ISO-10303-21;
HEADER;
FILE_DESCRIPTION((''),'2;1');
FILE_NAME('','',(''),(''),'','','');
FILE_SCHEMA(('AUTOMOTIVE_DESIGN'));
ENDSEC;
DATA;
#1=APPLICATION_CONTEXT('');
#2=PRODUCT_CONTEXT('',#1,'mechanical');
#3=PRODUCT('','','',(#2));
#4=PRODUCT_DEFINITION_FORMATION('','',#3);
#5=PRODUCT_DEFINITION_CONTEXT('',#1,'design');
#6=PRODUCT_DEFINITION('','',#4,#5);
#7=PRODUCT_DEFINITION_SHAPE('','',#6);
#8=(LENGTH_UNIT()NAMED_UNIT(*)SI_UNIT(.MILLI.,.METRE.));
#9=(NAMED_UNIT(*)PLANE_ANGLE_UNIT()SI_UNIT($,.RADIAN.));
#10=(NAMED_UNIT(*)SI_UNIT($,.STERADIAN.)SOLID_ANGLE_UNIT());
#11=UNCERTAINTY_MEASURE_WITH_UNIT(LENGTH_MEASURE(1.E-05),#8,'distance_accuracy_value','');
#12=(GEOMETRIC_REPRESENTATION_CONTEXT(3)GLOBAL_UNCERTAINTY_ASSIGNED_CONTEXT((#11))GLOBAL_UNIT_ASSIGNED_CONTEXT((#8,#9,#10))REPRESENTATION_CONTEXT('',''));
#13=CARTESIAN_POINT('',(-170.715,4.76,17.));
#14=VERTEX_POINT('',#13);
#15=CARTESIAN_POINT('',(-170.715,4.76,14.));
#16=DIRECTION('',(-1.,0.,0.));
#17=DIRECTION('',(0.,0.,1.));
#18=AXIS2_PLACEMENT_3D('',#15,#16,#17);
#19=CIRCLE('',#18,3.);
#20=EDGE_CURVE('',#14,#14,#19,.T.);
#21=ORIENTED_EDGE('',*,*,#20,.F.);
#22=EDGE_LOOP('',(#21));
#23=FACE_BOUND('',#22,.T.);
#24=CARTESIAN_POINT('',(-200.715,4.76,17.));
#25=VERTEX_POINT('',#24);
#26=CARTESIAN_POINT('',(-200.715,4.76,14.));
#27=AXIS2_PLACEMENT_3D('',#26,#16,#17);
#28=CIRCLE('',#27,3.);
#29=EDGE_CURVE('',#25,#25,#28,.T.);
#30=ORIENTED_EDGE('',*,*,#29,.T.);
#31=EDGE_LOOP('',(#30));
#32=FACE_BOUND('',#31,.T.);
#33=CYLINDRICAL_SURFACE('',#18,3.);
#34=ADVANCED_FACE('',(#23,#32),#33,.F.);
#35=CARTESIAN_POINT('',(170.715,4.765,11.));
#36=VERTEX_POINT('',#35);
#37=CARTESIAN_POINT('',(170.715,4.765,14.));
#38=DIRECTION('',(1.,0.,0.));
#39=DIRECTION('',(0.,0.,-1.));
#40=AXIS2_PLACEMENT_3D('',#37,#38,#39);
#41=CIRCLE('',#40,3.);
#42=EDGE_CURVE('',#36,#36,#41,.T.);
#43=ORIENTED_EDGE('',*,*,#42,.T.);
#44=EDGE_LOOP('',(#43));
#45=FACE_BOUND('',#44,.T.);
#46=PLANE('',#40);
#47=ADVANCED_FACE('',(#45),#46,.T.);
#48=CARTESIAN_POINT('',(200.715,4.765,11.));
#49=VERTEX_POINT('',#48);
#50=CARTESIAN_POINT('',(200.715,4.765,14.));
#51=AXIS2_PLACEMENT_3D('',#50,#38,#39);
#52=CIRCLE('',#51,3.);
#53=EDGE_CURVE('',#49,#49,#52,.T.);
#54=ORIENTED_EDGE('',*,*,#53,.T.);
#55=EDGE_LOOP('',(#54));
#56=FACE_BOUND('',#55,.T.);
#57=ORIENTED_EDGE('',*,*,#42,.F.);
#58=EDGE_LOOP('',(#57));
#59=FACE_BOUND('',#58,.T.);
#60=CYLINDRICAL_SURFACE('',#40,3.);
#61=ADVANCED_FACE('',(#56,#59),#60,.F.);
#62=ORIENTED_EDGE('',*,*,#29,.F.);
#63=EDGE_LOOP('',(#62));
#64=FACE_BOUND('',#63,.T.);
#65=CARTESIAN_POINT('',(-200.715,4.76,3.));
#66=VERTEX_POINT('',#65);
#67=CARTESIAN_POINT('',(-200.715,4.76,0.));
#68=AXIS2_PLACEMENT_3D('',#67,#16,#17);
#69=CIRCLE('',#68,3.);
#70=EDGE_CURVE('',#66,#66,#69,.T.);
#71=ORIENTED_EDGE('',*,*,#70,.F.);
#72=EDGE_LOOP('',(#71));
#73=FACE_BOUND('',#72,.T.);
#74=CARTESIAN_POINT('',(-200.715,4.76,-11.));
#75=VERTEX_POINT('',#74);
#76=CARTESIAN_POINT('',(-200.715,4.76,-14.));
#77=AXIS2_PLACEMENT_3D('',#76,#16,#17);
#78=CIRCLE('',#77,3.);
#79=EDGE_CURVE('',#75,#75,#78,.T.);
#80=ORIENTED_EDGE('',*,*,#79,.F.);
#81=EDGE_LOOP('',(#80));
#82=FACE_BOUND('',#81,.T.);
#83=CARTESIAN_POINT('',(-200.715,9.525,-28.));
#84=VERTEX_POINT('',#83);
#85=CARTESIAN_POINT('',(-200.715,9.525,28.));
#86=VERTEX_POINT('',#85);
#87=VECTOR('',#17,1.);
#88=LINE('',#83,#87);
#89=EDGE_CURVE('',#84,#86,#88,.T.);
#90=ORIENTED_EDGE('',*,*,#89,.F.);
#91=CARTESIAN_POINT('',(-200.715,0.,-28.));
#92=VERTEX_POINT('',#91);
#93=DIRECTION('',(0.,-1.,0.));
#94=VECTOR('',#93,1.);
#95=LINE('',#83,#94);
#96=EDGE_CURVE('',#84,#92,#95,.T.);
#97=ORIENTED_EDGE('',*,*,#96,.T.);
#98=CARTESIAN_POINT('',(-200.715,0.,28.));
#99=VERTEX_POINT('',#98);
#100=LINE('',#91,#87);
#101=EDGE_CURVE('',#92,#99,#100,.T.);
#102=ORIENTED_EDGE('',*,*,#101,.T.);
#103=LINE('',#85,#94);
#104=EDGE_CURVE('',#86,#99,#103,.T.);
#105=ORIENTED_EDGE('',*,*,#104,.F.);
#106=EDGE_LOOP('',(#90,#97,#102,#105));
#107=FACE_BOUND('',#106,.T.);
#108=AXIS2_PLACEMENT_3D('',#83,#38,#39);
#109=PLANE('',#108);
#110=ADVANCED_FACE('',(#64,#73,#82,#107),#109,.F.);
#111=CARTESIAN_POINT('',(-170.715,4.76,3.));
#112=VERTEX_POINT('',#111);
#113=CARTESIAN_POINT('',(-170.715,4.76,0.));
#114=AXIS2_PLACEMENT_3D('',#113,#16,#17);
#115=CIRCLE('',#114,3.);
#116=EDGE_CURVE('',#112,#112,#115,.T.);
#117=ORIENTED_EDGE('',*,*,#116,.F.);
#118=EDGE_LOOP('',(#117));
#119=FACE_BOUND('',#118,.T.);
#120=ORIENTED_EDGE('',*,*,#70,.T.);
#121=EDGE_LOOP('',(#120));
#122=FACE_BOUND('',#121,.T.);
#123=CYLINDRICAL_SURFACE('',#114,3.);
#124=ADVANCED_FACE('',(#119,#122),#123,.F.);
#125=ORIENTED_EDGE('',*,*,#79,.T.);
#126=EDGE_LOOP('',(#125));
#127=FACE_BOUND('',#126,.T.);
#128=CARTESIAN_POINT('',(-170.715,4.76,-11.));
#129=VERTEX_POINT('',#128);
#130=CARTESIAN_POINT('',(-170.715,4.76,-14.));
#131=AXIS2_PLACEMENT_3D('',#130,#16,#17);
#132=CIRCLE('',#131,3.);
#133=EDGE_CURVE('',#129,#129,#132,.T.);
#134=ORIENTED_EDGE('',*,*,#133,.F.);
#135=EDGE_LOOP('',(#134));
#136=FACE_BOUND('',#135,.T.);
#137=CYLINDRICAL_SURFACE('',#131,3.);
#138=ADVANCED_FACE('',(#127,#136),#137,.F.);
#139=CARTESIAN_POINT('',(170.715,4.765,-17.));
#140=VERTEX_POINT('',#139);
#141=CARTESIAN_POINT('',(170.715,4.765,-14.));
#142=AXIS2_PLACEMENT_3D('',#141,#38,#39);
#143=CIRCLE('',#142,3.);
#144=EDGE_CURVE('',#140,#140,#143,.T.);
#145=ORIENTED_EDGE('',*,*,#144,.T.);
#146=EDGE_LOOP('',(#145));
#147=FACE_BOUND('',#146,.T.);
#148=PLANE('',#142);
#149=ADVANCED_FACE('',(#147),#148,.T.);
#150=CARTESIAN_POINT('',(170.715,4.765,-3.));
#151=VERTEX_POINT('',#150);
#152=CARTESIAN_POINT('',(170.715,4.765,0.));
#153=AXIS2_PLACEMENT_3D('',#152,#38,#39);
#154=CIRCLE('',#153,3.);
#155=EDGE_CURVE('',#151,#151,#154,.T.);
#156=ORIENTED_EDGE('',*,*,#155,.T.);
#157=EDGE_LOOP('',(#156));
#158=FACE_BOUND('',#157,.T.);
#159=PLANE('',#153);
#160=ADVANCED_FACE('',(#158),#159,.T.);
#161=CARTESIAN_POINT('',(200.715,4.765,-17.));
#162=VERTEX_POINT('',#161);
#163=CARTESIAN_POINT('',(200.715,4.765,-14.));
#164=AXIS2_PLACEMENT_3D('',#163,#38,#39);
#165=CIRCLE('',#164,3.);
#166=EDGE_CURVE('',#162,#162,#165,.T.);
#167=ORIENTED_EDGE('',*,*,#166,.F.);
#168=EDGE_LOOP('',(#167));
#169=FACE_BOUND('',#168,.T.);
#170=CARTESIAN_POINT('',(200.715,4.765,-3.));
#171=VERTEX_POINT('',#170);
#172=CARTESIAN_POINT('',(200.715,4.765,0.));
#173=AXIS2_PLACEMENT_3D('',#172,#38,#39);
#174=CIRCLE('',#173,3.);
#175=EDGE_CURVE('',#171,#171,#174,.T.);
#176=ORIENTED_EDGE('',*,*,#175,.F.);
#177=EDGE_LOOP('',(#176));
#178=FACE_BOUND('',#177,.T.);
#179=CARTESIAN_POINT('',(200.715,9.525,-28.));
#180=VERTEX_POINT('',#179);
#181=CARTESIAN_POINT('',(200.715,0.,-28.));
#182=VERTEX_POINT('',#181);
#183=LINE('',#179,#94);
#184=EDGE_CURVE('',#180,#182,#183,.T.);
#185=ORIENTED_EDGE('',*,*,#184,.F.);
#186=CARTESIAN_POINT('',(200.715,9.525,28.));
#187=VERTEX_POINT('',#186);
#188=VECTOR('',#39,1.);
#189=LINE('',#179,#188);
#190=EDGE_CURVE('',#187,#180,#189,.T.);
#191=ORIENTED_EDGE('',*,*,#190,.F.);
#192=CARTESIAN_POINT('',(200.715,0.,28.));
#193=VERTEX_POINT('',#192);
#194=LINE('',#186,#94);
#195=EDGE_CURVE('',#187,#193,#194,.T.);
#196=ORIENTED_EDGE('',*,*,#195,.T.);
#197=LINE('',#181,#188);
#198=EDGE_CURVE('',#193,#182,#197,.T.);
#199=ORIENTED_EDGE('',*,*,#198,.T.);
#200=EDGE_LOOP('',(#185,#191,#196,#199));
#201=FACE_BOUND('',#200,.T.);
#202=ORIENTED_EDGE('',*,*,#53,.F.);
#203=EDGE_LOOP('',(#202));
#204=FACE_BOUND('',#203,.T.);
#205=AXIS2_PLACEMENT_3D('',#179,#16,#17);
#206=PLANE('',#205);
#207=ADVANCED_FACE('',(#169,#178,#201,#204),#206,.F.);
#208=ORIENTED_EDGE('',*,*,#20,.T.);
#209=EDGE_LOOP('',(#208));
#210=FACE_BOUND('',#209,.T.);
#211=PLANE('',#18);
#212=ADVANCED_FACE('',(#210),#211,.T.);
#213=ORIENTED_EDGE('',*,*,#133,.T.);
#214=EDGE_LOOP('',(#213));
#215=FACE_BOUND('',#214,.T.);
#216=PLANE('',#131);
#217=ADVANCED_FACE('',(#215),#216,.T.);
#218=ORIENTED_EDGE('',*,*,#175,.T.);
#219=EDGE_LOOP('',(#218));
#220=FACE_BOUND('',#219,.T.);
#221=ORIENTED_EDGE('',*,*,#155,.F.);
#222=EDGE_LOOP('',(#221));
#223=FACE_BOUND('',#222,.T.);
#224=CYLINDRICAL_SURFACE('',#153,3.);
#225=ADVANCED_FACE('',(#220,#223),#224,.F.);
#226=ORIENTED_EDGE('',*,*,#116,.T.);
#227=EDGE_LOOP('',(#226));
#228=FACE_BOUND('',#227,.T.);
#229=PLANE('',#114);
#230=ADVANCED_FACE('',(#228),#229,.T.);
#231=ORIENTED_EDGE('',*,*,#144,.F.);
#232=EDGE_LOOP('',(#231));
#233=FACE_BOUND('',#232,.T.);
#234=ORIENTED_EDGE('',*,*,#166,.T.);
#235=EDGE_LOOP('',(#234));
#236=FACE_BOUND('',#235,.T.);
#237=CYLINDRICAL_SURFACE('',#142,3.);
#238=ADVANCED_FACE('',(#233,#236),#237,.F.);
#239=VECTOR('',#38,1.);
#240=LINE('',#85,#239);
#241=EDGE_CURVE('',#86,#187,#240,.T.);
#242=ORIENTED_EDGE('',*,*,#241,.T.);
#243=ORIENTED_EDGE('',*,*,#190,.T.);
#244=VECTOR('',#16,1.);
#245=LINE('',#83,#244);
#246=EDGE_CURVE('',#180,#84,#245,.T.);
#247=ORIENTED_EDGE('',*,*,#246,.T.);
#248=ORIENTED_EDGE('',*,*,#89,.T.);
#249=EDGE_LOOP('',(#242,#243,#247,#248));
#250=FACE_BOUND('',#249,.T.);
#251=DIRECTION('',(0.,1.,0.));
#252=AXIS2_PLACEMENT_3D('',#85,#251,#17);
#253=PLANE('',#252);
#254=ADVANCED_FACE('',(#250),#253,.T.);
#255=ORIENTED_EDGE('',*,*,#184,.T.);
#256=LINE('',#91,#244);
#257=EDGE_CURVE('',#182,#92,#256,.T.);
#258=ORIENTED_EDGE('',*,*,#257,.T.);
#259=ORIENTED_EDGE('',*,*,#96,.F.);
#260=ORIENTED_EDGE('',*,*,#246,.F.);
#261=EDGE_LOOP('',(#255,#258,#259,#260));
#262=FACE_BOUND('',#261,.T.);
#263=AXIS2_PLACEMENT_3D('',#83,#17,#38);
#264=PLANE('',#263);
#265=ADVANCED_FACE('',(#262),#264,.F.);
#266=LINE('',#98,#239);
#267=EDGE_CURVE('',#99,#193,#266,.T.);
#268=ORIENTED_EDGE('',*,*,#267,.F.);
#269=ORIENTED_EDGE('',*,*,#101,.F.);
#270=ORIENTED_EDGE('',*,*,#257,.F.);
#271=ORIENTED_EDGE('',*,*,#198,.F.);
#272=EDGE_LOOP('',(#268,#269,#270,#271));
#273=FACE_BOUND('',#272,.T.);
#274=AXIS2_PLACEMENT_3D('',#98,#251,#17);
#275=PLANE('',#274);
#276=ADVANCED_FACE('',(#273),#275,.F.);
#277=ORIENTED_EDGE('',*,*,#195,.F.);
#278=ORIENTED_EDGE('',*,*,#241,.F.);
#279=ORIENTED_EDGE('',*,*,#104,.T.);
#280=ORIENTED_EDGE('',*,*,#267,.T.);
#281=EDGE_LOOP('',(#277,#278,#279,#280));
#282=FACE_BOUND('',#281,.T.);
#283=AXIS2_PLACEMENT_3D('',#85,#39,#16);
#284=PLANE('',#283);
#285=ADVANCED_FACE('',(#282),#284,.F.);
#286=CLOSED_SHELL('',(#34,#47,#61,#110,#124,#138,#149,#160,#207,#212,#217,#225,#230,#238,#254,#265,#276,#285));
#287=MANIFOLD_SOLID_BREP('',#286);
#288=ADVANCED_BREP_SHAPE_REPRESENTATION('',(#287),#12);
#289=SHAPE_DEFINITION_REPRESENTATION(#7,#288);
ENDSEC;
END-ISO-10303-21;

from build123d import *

# Parameters (mm, degrees)
ESBO_O1_W                = 401.43
ESBO_O1_H                = 56
RESSALTO_EXTRUS_O1_DEPTH = 9.525
ESBO_O2_R                = 3
FUROS_IZQ_DEPTH          = 30
ESBO_O3_R                = 3
FUROS_DER_DEPTH          = 30


with BuildPart() as part:
    # Esboço1 → Ressalto-extrusão1 (new body)
    with BuildSketch(Plane(origin=(0, 0, 0), x_dir=(1, 0, 0), z_dir=(0, 1, 0))):
        Rectangle(ESBO_O1_W, ESBO_O1_H)
    extrude(amount=RESSALTO_EXTRUS_O1_DEPTH)

    # Esboço2 → Furos Izq (cut)
    with BuildSketch(Plane.ZY.offset(200.715)):
        with Locations((14, 4.76)):
            Circle(ESBO_O2_R)
        with Locations((0, 4.76)):
            Circle(ESBO_O2_R)
        with Locations((-14, 4.76)):
            Circle(ESBO_O2_R)
    extrude(amount=-FUROS_IZQ_DEPTH, mode=Mode.SUBTRACT)

    # Esboço3 → Furos Der (cut)
    with BuildSketch(Plane(origin=(200.715, 0, 0), x_dir=(0, 0, -1), z_dir=(1, 0, 0))):
        with Locations((14, 4.765)):
            Circle(ESBO_O3_R)
        with Locations((0, 4.765)):
            Circle(ESBO_O3_R)
        with Locations((-14, 4.765)):
            Circle(ESBO_O3_R)
    extrude(amount=-FUROS_DER_DEPTH, mode=Mode.SUBTRACT)


solid = part.part
